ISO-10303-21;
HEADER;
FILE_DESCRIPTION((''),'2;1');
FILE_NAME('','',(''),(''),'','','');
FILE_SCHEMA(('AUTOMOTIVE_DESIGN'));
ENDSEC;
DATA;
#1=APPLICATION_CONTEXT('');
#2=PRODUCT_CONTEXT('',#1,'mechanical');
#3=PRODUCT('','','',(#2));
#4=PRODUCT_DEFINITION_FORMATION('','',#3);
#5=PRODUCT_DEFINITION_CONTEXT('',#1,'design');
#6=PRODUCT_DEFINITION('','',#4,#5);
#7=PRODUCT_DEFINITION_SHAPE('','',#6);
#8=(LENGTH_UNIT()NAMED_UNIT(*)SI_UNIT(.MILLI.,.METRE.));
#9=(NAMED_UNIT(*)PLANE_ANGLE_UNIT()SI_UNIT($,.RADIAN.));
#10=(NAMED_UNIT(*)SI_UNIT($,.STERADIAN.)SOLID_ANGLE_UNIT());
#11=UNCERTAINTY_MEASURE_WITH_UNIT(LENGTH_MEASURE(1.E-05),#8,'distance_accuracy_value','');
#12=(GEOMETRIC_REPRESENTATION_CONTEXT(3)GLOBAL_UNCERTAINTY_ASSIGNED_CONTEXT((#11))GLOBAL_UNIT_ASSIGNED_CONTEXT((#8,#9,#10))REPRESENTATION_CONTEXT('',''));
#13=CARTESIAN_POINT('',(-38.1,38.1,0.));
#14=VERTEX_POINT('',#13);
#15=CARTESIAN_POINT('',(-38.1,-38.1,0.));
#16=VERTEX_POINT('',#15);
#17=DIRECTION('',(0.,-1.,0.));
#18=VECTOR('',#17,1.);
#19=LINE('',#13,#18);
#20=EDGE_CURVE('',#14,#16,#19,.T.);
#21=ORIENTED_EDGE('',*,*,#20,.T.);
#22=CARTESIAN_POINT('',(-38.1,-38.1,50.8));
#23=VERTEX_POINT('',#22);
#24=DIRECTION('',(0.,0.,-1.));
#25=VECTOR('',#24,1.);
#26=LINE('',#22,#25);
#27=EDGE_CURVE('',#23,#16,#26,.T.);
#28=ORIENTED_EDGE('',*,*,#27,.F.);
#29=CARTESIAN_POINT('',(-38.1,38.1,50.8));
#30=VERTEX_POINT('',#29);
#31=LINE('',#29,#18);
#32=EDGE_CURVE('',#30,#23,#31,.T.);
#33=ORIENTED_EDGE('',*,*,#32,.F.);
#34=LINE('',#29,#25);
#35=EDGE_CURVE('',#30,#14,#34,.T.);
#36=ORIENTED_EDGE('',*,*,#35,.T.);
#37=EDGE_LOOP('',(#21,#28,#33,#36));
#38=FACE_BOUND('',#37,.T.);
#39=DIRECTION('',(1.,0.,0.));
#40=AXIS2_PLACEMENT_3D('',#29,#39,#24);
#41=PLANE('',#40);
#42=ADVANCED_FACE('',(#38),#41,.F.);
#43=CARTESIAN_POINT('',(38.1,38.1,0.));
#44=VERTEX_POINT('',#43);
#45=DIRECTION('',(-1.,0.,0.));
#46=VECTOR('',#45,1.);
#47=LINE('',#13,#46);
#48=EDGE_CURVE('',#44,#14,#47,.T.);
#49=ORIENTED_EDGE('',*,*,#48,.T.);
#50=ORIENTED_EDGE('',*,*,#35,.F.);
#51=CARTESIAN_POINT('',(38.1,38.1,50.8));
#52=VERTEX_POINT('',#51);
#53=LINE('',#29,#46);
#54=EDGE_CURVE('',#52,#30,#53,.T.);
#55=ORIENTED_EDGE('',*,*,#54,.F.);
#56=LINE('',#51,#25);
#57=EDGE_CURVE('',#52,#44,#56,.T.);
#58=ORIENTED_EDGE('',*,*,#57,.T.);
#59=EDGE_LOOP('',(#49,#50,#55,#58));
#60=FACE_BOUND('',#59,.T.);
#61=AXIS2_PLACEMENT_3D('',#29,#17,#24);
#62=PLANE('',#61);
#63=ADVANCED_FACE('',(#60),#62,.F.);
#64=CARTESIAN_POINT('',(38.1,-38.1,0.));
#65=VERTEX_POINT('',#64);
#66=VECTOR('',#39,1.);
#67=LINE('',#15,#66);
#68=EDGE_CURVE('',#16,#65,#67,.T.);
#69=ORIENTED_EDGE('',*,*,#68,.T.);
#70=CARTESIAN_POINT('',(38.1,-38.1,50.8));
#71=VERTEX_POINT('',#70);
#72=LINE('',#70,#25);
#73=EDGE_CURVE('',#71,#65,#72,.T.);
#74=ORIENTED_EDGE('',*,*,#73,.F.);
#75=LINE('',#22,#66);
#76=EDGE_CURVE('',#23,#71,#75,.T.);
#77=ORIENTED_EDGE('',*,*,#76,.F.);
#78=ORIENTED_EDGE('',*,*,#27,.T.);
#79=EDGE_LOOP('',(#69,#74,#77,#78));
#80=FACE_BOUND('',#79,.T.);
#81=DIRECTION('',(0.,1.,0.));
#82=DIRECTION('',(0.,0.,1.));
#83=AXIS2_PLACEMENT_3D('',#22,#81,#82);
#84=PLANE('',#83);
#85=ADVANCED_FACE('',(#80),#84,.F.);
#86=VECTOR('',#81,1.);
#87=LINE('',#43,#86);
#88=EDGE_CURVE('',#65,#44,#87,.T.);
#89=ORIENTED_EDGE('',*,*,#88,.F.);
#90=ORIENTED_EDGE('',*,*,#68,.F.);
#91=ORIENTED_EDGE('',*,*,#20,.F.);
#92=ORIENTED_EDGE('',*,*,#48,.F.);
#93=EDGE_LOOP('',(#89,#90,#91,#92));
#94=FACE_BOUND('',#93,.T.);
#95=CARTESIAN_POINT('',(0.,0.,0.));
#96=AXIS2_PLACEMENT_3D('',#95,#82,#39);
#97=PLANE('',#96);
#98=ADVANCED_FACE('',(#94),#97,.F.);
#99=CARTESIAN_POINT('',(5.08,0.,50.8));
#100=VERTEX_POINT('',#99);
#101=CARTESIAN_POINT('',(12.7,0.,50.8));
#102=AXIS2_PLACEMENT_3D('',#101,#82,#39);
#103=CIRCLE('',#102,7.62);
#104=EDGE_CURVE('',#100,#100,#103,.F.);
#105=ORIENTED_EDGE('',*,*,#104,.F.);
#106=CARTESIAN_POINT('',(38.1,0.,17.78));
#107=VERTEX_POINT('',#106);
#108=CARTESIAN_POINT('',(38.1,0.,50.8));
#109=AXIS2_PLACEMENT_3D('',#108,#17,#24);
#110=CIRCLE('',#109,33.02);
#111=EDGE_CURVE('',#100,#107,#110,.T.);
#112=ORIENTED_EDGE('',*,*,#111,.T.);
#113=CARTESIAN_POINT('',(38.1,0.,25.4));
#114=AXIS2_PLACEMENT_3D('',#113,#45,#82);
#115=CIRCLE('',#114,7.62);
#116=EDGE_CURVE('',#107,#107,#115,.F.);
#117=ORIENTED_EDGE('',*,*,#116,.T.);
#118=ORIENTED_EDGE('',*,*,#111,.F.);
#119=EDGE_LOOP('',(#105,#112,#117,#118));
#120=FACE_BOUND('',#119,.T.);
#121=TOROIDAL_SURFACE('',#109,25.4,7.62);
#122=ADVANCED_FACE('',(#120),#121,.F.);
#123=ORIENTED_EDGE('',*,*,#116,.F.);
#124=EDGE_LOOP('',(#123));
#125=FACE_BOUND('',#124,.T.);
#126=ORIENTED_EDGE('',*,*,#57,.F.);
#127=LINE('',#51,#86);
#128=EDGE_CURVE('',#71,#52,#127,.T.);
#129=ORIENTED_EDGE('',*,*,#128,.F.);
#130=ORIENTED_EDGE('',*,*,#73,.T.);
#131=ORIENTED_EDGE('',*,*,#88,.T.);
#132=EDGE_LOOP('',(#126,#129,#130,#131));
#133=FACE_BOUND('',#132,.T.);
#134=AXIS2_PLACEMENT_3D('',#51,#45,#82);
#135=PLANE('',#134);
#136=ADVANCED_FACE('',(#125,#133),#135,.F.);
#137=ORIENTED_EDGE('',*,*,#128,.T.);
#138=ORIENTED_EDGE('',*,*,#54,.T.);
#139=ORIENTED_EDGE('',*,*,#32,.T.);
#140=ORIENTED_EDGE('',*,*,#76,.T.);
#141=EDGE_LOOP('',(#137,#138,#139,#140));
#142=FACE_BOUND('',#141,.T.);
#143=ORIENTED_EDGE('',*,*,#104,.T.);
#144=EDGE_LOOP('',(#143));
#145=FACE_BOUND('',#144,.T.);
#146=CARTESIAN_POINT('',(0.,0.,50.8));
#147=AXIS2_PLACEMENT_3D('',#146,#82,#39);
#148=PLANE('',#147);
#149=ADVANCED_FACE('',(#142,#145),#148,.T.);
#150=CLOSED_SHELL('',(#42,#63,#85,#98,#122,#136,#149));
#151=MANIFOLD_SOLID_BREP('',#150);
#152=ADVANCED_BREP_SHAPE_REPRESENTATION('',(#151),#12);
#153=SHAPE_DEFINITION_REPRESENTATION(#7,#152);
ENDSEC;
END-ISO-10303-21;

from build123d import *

# Parameters (mm, degrees)
SKETCH2_W           = 76.2
SKETCH2_H           = 76.2
BOSS_EXTRUDE1_DEPTH = 50.8
SKETCH3_R           = 7.62


with BuildPart() as part:
    # Sketch2 → Boss-Extrude1 (new body)
    with BuildSketch(Plane.XY):
        Rectangle(SKETCH2_W, SKETCH2_H)
    extrude(amount=BOSS_EXTRUDE1_DEPTH)

    # Sketch3 → Cut-Revolve1 (revolve, cut)
    with BuildSketch(Plane.XY.offset(50.8), mode=Mode.PRIVATE) as cut_revolve1_sk:
        with Locations((12.7, 0)):
            Circle(SKETCH3_R)
    revolve(cut_revolve1_sk.sketch.rotate(Axis((38.1, 38.1, 50.8), (0, 1, 0)), 315), axis=Axis((38.1, 38.1, 50.8), (0, 1, 0)), mode=Mode.SUBTRACT)


solid = part.part
